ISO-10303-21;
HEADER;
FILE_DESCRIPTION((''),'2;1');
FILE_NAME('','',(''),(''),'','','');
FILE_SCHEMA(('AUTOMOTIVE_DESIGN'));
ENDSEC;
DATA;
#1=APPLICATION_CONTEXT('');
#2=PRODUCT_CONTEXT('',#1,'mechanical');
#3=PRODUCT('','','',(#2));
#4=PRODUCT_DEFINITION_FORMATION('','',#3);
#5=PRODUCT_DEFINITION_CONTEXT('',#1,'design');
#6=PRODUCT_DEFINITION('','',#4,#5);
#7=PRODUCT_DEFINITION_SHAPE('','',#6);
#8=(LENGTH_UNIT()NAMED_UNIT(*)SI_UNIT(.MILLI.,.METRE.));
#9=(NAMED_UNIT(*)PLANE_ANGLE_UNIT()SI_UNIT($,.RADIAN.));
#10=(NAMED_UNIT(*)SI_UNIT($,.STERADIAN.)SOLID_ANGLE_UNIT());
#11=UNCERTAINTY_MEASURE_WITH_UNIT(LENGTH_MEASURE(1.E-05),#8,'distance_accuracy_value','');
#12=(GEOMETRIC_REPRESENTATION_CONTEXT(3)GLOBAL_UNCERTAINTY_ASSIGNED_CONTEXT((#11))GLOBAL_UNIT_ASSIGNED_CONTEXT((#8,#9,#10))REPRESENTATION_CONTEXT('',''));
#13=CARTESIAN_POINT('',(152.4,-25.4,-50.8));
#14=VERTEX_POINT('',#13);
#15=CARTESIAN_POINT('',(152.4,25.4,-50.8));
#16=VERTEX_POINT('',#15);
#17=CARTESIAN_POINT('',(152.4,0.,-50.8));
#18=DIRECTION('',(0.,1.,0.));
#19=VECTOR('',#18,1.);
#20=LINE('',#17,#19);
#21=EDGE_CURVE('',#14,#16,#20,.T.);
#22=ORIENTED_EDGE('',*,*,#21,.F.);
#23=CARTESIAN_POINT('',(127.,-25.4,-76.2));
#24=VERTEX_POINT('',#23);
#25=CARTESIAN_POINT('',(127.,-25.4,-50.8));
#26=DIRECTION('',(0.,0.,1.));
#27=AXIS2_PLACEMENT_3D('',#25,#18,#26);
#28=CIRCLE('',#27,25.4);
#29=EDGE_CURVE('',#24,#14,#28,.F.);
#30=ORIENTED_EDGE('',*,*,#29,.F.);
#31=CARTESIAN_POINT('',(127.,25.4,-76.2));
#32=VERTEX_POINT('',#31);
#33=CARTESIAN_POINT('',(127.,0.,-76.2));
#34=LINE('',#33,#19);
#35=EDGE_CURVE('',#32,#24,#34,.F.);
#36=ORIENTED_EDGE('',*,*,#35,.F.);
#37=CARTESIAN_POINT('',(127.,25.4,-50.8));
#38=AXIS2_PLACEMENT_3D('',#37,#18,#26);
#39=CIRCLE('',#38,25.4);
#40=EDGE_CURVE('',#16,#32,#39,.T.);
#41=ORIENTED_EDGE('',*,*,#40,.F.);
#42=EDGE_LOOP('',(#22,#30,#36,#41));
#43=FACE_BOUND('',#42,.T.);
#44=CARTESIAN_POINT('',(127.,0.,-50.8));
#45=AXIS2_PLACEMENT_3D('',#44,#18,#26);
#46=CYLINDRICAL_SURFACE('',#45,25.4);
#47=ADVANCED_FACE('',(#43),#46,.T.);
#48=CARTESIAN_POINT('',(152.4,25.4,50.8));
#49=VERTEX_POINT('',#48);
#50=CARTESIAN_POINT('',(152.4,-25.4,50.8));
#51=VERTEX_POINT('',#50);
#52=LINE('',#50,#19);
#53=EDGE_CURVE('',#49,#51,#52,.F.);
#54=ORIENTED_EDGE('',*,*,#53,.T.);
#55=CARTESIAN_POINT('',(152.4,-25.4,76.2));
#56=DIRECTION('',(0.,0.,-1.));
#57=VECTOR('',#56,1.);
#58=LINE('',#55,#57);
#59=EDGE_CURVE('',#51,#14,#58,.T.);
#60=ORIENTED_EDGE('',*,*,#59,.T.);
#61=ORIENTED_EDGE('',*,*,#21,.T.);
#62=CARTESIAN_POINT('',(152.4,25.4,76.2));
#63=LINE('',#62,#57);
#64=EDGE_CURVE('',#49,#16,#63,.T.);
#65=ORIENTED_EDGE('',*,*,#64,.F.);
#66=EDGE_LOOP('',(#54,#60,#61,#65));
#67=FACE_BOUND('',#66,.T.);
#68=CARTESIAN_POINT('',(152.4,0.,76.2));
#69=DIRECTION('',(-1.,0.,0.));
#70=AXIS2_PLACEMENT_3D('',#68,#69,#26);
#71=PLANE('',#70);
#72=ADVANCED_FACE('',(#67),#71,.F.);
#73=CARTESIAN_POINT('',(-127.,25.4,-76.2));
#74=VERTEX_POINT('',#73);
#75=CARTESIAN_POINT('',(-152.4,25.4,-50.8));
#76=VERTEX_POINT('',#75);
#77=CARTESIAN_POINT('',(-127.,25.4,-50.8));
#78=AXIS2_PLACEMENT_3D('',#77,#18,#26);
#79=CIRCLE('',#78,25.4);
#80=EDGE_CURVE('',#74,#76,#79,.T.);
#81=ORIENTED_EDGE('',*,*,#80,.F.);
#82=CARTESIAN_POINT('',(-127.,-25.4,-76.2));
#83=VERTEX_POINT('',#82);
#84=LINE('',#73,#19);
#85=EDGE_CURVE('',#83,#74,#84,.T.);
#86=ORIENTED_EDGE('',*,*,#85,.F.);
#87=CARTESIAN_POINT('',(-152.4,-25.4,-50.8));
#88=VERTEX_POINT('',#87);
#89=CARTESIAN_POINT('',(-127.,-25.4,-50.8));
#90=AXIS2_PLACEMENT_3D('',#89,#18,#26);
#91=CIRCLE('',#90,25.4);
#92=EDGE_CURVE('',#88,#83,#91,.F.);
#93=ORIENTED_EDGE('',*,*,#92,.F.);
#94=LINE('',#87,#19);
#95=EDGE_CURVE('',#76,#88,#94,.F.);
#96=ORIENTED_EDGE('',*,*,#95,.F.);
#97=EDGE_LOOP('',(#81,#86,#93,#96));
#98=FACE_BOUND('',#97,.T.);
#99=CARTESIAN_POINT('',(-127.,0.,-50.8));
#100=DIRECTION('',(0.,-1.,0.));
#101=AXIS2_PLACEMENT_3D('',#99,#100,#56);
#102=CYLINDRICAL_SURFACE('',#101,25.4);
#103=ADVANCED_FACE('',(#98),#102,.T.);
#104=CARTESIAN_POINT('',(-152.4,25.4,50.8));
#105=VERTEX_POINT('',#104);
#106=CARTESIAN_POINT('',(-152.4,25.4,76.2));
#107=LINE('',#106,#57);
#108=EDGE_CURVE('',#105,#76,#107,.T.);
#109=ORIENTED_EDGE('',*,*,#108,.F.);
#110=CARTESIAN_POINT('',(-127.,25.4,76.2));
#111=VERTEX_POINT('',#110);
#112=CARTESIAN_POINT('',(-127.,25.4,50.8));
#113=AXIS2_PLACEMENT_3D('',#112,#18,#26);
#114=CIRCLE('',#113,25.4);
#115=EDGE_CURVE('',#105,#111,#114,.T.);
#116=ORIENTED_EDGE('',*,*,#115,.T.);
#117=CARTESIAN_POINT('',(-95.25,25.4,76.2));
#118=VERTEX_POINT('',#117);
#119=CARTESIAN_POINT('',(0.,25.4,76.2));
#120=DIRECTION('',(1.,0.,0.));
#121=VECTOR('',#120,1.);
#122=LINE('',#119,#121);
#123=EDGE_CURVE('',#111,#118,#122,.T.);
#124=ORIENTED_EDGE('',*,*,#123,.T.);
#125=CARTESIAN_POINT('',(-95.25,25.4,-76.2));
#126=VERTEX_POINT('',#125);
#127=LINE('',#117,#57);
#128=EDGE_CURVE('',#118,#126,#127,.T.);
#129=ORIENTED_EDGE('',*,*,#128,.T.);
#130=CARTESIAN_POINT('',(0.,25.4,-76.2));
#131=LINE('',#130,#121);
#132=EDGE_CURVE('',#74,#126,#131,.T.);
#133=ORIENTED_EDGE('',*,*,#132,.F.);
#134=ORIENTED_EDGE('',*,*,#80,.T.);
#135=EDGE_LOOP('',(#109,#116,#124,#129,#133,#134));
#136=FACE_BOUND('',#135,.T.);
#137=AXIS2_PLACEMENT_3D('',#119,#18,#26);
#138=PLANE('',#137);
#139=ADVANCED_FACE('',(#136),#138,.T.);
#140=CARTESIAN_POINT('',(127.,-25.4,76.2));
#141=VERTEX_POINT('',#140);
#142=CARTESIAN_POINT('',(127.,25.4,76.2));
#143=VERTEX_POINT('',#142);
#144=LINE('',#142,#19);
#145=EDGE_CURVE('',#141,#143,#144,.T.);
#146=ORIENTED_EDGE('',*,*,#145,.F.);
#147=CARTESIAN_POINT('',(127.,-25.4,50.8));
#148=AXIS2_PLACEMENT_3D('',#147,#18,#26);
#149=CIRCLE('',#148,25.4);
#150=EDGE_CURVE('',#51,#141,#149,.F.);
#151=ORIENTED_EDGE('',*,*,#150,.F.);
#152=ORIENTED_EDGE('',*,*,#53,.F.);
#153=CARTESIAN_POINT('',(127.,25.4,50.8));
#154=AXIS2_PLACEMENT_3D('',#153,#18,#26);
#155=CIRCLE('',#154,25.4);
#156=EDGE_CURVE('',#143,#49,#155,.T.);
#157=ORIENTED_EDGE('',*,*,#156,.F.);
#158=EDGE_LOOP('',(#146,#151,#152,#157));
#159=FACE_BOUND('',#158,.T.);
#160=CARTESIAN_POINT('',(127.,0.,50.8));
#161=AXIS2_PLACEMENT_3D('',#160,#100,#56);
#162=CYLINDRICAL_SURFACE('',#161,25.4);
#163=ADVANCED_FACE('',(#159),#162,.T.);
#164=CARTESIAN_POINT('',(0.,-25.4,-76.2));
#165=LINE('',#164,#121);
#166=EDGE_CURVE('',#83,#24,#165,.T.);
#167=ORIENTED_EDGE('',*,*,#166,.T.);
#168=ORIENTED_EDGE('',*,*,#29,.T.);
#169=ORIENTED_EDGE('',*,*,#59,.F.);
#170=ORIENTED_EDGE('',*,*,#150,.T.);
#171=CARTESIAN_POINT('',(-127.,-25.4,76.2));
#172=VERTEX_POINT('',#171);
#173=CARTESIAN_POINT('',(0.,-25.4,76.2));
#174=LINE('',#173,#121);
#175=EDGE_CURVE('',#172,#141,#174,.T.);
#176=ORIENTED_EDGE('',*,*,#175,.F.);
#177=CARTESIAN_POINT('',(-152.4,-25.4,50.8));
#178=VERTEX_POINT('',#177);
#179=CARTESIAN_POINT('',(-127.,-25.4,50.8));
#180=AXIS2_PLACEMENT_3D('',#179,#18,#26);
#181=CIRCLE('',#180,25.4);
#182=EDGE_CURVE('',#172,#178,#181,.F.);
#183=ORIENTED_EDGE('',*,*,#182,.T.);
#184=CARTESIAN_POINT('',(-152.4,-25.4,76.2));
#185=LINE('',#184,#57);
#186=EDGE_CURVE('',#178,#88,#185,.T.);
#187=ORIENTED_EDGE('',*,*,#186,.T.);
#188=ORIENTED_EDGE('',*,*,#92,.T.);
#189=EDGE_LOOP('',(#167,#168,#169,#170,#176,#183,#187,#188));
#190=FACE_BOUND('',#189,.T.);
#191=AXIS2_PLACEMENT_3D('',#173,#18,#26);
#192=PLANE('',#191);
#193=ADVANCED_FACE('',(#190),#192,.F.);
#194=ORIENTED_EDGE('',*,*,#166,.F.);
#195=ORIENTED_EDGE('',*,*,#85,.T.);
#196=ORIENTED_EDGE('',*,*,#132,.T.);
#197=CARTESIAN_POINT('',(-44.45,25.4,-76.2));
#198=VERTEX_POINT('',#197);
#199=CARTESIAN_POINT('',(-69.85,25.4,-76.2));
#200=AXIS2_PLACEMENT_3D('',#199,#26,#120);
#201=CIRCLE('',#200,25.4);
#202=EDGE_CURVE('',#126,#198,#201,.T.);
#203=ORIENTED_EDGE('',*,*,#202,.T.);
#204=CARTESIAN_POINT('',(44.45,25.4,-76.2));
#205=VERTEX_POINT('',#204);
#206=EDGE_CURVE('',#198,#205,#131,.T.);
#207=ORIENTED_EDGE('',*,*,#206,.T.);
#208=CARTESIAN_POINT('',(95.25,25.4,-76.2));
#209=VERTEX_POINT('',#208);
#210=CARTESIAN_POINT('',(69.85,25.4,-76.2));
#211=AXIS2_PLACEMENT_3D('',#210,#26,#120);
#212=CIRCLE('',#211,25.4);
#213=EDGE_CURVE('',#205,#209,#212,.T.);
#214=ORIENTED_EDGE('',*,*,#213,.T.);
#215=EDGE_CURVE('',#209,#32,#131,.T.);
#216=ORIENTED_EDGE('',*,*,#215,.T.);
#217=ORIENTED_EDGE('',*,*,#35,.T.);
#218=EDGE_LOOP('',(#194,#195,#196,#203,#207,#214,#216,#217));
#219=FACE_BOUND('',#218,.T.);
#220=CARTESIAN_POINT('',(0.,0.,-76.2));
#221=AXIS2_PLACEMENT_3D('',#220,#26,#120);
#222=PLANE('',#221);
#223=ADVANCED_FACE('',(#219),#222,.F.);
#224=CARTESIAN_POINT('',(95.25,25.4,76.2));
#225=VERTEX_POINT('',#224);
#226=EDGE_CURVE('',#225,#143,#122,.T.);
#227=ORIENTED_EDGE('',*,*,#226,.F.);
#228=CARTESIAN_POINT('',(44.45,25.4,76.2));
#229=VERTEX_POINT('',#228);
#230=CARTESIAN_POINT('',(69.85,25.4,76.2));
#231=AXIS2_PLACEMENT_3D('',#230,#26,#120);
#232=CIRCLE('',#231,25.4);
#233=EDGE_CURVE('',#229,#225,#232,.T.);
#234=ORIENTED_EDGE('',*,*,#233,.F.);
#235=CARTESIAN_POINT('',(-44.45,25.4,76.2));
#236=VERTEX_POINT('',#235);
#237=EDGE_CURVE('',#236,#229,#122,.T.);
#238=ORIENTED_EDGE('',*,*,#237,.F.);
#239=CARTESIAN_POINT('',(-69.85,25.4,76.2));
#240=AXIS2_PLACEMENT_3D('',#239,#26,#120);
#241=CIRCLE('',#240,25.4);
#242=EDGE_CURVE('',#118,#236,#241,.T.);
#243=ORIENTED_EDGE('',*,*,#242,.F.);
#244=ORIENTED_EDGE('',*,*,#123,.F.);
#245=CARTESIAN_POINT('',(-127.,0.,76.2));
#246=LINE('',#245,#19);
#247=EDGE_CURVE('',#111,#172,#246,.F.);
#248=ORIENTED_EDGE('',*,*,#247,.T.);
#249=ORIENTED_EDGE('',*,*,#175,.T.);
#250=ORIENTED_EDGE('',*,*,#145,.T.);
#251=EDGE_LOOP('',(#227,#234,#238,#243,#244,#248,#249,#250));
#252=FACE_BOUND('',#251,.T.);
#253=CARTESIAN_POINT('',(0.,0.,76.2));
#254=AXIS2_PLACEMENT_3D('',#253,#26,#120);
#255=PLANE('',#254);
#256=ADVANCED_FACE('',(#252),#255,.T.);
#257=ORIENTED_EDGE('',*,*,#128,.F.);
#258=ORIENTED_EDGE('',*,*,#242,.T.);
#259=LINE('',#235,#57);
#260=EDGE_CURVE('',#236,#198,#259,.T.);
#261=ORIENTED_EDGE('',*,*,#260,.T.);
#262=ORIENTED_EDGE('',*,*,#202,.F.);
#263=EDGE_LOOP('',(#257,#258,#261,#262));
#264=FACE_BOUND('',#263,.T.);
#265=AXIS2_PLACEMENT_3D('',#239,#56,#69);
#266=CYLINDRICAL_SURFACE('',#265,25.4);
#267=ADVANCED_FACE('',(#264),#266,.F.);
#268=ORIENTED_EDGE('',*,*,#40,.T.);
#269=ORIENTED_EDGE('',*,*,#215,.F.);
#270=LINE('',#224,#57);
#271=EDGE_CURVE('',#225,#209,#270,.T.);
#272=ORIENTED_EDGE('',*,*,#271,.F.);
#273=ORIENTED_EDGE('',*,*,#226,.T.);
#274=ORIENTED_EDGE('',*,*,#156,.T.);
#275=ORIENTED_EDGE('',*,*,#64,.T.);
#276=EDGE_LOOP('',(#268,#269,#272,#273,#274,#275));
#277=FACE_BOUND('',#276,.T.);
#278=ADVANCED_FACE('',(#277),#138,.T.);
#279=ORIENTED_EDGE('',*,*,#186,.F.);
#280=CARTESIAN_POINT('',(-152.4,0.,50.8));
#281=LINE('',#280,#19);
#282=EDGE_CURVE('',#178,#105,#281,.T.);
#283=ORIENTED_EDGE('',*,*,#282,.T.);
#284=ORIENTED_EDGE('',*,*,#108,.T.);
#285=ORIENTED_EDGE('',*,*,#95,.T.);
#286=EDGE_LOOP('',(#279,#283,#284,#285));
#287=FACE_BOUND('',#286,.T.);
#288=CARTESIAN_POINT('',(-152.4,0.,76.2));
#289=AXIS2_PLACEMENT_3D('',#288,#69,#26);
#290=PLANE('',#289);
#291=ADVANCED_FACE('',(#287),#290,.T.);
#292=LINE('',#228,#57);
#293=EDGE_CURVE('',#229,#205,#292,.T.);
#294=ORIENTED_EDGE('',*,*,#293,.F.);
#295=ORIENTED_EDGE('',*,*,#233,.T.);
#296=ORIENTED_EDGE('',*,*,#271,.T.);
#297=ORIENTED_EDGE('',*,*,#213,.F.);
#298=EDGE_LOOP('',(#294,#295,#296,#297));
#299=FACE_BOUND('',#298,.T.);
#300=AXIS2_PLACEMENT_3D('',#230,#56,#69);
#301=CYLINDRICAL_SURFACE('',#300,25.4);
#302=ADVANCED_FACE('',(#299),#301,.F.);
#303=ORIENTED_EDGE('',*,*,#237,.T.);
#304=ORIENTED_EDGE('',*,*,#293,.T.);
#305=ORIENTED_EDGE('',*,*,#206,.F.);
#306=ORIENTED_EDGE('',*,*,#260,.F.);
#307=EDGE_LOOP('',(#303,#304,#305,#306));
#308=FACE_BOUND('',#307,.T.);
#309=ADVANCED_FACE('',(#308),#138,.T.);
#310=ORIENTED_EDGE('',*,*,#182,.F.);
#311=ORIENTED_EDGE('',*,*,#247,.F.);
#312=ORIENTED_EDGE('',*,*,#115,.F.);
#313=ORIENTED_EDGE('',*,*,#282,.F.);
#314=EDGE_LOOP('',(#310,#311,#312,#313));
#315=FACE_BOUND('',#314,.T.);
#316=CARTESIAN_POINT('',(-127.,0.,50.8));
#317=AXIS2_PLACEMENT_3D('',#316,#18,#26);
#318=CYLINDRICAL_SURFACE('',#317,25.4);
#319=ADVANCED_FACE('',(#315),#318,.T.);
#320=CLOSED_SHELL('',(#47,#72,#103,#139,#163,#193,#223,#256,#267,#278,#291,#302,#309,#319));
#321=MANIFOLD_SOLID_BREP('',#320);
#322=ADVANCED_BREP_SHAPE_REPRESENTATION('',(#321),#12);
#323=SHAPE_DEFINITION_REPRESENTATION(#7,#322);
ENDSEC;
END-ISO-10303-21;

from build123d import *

# Parameters (mm, degrees)
BOSS_EXTRUDE1_DEPTH = 76.2
FILLET1_R           = 25.4


with BuildPart() as part:
    # Sketch1 → Boss-Extrude1 (new, symmetric)
    with BuildSketch(Plane.XY):
        with BuildLine():
            Line((-152.4, 25.4), (-152.4, -25.4))
            Line((-152.4, -25.4), (152.4, -25.4))
            Line((152.4, -25.4), (152.4, 25.4))
            Line((152.4, 25.4), (95.25, 25.4))
            ThreePointArc((95.25, 25.4), (69.85, 0), (44.45, 25.4))
            Line((44.45, 25.4), (-44.45, 25.4))
            ThreePointArc((-44.45, 25.4), (-69.85, 0), (-95.25, 25.4))
            Line((-95.25, 25.4), (-152.4, 25.4))
        make_face()
    extrude(amount=BOSS_EXTRUDE1_DEPTH, both=True)

    # Fillet1
    fillet1_edges = [part.edges().sort_by_distance(p)[0] for p in [
        (-152.4, 0, -76.2),
        (-152.4, 0, 76.2),
        (152.4, 0, 76.2),
        (152.4, 0, -76.2),
    ]]
    fillet(fillet1_edges, radius=FILLET1_R)


solid = part.part
